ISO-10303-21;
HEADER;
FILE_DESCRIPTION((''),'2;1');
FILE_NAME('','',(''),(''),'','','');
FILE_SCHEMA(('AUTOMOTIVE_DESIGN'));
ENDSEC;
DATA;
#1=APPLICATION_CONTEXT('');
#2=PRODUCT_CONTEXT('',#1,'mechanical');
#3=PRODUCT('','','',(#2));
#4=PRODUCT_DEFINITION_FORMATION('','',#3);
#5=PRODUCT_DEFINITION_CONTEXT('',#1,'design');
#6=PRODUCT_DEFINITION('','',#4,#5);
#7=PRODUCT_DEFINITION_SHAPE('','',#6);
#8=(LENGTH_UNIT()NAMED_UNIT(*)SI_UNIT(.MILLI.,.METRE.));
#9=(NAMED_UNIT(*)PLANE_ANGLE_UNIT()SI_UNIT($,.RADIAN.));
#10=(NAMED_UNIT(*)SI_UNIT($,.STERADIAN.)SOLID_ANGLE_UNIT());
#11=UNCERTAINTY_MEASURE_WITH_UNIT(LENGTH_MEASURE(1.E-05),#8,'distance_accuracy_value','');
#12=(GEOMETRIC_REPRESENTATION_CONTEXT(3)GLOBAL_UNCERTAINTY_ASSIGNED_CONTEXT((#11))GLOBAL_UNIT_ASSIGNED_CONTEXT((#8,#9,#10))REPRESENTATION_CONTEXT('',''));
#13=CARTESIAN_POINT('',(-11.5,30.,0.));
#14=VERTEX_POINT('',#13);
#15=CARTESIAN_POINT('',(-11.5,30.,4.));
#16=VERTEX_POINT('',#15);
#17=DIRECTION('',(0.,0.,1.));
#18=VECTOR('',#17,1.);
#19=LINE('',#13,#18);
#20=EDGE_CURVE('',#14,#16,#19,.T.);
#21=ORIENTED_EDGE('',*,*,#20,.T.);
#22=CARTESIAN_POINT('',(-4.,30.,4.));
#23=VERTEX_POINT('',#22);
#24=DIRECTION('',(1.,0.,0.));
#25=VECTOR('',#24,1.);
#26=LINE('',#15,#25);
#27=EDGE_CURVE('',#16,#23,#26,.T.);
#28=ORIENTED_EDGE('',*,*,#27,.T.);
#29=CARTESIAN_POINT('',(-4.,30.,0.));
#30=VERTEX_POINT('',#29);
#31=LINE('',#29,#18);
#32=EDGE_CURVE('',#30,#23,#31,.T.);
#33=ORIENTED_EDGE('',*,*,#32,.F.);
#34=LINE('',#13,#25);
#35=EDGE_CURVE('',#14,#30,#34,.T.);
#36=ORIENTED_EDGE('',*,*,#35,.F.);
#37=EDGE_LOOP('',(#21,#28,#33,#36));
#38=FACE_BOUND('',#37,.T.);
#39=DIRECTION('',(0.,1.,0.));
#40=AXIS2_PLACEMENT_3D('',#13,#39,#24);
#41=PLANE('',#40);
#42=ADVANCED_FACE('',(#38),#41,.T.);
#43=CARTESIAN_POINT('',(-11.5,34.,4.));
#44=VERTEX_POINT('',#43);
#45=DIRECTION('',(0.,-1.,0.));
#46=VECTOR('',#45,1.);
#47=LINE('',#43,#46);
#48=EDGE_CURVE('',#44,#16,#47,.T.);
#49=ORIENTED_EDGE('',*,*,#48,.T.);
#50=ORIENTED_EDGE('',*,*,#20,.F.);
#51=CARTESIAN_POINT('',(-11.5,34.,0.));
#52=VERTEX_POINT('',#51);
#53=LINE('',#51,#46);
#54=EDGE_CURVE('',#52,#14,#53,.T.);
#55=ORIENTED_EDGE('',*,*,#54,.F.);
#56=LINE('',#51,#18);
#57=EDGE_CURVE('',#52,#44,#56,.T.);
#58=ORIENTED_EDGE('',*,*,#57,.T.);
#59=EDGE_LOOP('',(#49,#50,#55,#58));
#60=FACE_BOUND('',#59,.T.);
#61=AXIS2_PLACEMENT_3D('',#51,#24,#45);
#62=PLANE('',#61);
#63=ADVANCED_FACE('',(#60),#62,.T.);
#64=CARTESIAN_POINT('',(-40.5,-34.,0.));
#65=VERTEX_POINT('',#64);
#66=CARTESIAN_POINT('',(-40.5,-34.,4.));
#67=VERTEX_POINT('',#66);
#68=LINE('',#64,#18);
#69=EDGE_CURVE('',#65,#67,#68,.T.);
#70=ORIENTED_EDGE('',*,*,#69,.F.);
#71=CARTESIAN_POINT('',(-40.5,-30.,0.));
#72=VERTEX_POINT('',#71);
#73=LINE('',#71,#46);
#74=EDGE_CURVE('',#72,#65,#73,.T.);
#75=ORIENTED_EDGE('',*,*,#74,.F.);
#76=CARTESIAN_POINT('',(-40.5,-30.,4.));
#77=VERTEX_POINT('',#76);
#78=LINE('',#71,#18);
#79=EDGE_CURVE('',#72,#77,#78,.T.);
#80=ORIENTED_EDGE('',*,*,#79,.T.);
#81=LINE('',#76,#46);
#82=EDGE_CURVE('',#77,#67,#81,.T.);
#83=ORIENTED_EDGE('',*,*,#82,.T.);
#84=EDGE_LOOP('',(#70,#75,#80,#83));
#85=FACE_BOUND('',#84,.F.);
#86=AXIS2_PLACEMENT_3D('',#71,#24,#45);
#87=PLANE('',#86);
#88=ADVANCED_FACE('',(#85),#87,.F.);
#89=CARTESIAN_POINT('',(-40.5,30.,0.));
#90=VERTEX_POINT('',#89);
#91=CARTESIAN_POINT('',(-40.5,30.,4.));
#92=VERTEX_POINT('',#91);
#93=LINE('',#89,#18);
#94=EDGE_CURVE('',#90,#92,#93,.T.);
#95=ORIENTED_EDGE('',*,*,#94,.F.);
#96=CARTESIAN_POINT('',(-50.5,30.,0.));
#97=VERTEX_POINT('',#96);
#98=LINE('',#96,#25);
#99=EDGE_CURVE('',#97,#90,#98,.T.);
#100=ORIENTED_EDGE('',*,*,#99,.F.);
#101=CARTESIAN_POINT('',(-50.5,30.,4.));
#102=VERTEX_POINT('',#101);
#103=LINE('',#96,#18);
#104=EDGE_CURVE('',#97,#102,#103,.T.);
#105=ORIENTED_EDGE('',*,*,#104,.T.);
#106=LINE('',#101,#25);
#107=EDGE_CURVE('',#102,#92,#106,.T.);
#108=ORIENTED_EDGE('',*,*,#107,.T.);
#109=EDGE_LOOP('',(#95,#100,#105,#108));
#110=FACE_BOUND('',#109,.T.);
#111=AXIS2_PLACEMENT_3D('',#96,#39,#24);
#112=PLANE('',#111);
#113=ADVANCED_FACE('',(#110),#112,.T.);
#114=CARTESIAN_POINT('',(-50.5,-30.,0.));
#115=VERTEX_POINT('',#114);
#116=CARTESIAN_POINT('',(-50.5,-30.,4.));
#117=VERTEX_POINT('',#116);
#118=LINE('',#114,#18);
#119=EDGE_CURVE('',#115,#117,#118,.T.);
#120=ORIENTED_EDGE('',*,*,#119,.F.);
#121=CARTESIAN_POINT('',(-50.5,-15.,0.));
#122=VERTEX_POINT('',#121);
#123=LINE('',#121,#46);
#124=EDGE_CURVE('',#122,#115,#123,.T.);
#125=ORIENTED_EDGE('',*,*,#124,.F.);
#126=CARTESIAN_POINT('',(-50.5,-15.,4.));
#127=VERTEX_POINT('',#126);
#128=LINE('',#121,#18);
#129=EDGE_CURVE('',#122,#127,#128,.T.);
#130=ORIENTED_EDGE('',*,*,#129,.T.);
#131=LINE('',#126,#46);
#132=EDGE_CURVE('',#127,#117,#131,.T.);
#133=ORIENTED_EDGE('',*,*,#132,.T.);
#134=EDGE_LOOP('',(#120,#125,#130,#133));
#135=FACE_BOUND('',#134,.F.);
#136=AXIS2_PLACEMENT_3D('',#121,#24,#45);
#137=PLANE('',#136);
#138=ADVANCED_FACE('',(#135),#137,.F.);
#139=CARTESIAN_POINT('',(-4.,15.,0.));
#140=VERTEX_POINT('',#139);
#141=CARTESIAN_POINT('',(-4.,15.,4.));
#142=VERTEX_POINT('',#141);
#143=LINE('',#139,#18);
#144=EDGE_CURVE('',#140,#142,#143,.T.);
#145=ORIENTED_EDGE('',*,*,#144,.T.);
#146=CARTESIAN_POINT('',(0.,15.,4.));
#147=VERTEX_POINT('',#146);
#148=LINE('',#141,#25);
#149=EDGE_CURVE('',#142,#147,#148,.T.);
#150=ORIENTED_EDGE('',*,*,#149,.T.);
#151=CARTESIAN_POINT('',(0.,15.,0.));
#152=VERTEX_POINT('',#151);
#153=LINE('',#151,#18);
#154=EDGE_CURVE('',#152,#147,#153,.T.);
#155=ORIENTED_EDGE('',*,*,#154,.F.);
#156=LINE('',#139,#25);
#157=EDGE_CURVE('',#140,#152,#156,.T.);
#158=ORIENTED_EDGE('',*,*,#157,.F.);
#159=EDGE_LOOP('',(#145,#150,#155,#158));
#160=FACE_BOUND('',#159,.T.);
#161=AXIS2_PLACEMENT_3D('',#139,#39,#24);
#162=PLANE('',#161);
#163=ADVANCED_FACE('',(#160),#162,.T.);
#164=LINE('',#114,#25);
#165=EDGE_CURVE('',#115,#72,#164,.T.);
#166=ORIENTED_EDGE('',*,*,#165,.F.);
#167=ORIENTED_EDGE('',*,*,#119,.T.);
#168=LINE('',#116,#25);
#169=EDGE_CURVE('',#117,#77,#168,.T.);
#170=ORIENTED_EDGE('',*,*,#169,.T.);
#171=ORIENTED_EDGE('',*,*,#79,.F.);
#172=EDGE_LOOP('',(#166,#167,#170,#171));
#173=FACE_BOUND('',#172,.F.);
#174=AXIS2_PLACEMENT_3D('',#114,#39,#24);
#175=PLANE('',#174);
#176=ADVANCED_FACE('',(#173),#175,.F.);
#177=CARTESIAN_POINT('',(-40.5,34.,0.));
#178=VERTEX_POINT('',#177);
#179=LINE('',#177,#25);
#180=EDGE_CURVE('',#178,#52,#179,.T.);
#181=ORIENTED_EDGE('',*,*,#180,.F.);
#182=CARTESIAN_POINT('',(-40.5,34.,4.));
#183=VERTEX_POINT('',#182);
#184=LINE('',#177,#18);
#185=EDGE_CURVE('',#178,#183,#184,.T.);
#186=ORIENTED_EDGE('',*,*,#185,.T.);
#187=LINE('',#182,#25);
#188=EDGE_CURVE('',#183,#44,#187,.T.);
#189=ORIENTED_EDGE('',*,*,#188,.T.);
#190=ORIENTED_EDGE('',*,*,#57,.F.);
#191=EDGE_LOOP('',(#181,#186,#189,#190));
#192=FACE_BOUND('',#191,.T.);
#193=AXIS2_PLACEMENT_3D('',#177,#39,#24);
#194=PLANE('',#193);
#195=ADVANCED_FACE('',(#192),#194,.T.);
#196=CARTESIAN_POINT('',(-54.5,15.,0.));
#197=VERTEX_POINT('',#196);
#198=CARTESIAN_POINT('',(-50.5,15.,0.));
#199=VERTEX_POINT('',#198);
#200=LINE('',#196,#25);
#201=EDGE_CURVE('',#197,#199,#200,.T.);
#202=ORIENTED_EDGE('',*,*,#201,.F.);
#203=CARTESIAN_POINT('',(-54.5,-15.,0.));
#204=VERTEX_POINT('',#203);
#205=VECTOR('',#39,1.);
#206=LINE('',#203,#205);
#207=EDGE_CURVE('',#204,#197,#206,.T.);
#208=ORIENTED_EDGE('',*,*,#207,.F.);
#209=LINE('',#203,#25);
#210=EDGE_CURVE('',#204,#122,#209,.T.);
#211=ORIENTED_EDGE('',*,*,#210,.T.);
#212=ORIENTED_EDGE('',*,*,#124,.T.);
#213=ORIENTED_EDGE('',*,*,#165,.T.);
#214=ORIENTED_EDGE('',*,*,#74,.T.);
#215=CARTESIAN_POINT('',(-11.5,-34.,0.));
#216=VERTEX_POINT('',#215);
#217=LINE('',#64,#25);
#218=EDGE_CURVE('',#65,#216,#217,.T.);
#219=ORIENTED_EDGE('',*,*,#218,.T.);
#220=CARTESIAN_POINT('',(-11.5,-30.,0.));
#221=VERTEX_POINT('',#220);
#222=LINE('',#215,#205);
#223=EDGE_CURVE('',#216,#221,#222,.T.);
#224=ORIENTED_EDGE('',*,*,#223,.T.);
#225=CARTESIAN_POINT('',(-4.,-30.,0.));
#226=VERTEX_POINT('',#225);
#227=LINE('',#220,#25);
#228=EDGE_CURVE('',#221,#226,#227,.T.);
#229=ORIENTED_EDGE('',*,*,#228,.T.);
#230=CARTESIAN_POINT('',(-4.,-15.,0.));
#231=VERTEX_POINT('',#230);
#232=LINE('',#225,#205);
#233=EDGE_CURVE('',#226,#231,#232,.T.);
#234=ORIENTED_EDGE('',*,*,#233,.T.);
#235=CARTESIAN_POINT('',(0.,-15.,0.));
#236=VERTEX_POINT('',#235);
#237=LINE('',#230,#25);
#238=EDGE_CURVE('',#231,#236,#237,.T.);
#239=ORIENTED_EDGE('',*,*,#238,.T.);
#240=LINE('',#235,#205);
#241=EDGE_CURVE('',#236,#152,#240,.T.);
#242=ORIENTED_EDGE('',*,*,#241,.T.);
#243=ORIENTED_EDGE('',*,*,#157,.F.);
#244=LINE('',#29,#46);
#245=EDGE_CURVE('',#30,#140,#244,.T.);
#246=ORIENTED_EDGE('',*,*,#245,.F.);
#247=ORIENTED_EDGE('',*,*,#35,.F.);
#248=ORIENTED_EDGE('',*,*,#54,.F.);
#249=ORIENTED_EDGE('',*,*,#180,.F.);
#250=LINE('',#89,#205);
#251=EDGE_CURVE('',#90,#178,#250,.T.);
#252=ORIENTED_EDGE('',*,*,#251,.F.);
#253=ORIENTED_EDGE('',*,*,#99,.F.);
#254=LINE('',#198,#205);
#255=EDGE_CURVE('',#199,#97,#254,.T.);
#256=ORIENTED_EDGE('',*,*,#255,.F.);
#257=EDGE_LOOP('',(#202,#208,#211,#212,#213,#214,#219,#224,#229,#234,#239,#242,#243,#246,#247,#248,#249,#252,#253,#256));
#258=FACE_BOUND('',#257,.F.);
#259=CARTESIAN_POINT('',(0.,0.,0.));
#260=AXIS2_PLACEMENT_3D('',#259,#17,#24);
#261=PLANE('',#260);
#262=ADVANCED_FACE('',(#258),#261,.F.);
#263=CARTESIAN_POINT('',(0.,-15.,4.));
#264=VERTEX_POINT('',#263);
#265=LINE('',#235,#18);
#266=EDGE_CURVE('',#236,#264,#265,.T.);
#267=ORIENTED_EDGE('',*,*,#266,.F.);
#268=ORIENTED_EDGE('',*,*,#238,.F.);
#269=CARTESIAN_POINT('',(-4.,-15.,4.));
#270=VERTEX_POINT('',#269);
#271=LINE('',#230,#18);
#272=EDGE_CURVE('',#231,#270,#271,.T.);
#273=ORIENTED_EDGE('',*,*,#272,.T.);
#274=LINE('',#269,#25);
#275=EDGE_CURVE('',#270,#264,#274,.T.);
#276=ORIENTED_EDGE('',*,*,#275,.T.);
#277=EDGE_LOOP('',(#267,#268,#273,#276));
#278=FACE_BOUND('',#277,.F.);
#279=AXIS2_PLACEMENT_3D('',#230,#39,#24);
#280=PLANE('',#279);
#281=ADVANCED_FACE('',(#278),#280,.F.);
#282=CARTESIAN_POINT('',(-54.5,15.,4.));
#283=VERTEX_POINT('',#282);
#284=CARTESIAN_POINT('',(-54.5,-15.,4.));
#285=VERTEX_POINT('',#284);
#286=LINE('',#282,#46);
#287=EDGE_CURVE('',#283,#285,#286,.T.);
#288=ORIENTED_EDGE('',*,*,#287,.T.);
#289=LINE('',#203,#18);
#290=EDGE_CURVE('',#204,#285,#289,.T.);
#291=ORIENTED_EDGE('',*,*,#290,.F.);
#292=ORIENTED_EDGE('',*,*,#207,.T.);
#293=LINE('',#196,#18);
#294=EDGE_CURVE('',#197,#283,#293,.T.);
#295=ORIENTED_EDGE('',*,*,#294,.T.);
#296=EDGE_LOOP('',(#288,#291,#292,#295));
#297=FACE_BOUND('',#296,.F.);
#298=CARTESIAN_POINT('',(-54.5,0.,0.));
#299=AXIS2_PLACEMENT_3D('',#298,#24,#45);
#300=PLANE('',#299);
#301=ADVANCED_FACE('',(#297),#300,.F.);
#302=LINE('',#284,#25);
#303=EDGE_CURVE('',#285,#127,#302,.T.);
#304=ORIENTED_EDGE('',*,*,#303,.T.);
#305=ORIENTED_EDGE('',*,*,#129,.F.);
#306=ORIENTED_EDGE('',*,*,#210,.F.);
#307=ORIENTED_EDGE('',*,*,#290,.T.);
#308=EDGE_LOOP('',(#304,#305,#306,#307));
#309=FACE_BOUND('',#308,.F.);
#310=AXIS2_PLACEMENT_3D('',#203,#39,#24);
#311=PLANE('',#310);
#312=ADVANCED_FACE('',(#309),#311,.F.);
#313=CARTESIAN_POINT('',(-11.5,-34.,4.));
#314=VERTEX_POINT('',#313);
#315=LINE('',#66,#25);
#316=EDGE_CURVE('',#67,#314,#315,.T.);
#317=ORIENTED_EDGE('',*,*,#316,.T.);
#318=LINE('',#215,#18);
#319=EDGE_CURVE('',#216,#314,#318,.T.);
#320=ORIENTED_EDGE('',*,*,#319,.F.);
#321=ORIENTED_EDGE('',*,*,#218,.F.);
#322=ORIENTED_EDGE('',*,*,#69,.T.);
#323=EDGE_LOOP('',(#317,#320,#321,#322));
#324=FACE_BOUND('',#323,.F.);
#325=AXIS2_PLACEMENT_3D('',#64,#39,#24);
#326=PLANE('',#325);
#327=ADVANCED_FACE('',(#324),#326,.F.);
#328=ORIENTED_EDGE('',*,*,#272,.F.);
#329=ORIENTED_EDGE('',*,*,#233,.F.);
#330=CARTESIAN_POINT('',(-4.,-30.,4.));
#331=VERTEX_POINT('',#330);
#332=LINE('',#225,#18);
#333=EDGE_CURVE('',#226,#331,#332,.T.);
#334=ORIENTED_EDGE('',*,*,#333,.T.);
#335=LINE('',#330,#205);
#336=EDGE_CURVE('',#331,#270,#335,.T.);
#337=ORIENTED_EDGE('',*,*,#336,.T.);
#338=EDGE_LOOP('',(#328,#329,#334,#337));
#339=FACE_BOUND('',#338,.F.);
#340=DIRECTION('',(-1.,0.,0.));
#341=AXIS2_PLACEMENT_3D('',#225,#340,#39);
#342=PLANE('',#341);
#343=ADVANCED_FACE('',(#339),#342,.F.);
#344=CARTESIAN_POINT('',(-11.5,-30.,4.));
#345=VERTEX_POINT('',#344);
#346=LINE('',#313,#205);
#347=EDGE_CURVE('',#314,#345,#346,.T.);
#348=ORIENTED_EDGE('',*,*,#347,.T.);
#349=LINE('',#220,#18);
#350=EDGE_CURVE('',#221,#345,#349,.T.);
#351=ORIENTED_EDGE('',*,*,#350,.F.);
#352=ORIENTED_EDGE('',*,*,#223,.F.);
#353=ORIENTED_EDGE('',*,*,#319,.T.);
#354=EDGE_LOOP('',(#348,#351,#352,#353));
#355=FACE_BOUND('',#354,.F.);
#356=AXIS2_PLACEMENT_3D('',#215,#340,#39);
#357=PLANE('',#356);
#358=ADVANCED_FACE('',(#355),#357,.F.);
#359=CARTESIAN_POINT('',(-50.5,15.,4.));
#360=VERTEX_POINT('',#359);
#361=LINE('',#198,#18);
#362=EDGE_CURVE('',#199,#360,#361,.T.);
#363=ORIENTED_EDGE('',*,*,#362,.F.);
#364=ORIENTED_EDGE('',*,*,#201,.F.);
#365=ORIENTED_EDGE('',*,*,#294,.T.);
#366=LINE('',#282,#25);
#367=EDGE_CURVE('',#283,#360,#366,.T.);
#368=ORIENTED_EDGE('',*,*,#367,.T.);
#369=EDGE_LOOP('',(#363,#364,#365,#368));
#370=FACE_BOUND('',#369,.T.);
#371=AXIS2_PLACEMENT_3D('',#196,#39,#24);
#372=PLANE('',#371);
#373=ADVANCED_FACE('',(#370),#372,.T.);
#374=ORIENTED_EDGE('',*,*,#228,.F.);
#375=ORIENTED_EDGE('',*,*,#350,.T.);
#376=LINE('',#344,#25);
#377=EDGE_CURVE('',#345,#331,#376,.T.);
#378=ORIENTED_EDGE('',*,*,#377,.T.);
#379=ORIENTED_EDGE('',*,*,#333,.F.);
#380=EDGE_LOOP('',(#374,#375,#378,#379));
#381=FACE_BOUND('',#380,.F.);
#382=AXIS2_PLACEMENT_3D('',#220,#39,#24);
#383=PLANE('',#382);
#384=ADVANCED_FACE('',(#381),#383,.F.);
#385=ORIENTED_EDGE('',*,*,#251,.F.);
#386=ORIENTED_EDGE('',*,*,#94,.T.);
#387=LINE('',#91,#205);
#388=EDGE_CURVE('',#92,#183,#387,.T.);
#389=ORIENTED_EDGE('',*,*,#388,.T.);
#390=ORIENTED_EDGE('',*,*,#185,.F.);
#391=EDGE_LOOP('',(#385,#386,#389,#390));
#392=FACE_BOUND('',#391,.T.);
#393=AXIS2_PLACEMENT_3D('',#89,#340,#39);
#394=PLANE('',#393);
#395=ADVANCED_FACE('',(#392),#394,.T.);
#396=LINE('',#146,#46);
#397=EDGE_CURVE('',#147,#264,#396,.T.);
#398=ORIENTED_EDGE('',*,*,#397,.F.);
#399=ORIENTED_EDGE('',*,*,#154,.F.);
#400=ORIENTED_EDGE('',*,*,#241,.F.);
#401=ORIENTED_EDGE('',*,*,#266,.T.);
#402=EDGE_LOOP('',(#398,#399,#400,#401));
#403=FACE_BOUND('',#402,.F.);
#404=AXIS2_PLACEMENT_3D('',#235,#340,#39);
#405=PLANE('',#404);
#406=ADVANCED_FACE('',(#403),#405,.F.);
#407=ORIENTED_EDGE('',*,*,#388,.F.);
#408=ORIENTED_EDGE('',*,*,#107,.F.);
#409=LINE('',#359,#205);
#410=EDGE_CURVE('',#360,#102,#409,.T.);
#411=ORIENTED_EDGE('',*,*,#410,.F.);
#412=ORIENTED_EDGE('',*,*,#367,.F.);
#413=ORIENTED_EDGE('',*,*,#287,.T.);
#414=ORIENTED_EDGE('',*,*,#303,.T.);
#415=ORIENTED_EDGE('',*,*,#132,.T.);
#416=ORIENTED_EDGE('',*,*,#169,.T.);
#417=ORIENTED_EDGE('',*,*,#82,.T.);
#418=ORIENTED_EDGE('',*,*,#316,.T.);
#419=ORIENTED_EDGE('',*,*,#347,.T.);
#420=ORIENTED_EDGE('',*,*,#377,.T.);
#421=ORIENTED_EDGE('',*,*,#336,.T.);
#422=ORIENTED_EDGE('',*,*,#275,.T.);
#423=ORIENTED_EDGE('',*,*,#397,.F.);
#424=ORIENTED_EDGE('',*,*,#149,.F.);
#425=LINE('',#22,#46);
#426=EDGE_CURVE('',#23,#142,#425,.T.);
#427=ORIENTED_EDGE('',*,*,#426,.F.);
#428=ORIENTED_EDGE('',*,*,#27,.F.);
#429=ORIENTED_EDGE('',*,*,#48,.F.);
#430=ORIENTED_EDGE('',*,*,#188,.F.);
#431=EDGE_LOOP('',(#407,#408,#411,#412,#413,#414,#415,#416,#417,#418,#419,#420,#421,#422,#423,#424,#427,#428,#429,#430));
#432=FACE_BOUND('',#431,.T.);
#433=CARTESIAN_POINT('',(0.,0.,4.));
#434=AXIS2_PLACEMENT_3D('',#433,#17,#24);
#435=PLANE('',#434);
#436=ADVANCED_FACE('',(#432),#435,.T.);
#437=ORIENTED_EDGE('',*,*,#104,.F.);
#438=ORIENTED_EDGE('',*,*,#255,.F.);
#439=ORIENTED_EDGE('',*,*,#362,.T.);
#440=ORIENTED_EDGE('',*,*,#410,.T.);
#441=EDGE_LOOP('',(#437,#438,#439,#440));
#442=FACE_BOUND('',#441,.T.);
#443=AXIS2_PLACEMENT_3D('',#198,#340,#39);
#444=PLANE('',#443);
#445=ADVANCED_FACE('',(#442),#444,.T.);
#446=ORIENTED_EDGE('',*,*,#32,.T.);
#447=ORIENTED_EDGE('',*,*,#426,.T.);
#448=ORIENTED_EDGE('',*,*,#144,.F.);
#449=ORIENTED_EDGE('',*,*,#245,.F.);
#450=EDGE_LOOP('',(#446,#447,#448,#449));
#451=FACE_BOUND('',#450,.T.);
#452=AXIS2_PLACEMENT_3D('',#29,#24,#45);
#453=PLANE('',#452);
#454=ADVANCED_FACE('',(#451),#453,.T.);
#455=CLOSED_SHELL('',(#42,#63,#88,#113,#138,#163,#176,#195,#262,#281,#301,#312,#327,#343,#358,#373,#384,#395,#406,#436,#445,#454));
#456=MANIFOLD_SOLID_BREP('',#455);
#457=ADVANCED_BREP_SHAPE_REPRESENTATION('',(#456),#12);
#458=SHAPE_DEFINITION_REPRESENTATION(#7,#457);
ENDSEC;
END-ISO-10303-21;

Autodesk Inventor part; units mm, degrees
ref_plane "YZ Plane" through (0, 0, 0) normal (1, 0, 0) x (0, 1, 0)
ref_plane "XZ Plane" through (0, 0, 0) normal (0, 1, 0) x (-1, 0, 0)
ref_plane "XY Plane" through (0, 0, 0) normal (0, 0, 1) x (1, 0, 0)
sketch "Эскиз1" plane through (0, 0, 0) normal (0, 0, 1) x (1, 0, 0)
  line L0 (0, 0) -> (-54.5, 0)
  line L1 (-54.5, 0) -> (-54.5, -15)
  line L2 (-54.5, -15) -> (-50.5, -15)
  line L3 (-50.5, -15) -> (-50.5, -30)
  line L4 (-50.5, -30) -> (-40.5, -30)
  line L5 (-40.5, -30) -> (-40.5, -34)
  line L6 (-40.5, -34) -> (-11.5, -34)
  line L7 (-11.5, -34) -> (-11.5, -30)
  line L8 (-54.5, 0) -> (-54.5, 15)
  line L9 (-54.5, 15) -> (-50.5, 15)
  line L10 (-50.5, 15) -> (-50.5, 30)
  line L11 (-50.5, 30) -> (-40.5, 30)
  line L12 (-40.5, 30) -> (-40.5, 34)
  line L13 (-40.5, 34) -> (-11.5, 34)
  line L14 (-11.5, 34) -> (-11.5, 30)
  line L15 (-11.5, -30) -> (-4, -30)
  line L16 (-4, -30) -> (-4, -15)
  line L17 (-4, -15) -> (0, -15)
  line L18 (0, -15) -> (0, 0)
  line L19 (-11.5, 30) -> (-4, 30)
  line L20 (-4, 30) -> (-4, 15)
  line L21 (-4, 15) -> (0, 15)
  line L22 (0, 15) -> (0, 0)
  dimension "d0" = 29
  dimension "d2" = 10
  dimension "d3" = 30
  dimension "d4" = 15
  dimension "d5" = 4
  dimension "d8" = 11.5
  dimension "d9" = 4
extrude "Выдавливание1" add sketch "Эскиз1" along normal blind 4
properties part number "topRL"
